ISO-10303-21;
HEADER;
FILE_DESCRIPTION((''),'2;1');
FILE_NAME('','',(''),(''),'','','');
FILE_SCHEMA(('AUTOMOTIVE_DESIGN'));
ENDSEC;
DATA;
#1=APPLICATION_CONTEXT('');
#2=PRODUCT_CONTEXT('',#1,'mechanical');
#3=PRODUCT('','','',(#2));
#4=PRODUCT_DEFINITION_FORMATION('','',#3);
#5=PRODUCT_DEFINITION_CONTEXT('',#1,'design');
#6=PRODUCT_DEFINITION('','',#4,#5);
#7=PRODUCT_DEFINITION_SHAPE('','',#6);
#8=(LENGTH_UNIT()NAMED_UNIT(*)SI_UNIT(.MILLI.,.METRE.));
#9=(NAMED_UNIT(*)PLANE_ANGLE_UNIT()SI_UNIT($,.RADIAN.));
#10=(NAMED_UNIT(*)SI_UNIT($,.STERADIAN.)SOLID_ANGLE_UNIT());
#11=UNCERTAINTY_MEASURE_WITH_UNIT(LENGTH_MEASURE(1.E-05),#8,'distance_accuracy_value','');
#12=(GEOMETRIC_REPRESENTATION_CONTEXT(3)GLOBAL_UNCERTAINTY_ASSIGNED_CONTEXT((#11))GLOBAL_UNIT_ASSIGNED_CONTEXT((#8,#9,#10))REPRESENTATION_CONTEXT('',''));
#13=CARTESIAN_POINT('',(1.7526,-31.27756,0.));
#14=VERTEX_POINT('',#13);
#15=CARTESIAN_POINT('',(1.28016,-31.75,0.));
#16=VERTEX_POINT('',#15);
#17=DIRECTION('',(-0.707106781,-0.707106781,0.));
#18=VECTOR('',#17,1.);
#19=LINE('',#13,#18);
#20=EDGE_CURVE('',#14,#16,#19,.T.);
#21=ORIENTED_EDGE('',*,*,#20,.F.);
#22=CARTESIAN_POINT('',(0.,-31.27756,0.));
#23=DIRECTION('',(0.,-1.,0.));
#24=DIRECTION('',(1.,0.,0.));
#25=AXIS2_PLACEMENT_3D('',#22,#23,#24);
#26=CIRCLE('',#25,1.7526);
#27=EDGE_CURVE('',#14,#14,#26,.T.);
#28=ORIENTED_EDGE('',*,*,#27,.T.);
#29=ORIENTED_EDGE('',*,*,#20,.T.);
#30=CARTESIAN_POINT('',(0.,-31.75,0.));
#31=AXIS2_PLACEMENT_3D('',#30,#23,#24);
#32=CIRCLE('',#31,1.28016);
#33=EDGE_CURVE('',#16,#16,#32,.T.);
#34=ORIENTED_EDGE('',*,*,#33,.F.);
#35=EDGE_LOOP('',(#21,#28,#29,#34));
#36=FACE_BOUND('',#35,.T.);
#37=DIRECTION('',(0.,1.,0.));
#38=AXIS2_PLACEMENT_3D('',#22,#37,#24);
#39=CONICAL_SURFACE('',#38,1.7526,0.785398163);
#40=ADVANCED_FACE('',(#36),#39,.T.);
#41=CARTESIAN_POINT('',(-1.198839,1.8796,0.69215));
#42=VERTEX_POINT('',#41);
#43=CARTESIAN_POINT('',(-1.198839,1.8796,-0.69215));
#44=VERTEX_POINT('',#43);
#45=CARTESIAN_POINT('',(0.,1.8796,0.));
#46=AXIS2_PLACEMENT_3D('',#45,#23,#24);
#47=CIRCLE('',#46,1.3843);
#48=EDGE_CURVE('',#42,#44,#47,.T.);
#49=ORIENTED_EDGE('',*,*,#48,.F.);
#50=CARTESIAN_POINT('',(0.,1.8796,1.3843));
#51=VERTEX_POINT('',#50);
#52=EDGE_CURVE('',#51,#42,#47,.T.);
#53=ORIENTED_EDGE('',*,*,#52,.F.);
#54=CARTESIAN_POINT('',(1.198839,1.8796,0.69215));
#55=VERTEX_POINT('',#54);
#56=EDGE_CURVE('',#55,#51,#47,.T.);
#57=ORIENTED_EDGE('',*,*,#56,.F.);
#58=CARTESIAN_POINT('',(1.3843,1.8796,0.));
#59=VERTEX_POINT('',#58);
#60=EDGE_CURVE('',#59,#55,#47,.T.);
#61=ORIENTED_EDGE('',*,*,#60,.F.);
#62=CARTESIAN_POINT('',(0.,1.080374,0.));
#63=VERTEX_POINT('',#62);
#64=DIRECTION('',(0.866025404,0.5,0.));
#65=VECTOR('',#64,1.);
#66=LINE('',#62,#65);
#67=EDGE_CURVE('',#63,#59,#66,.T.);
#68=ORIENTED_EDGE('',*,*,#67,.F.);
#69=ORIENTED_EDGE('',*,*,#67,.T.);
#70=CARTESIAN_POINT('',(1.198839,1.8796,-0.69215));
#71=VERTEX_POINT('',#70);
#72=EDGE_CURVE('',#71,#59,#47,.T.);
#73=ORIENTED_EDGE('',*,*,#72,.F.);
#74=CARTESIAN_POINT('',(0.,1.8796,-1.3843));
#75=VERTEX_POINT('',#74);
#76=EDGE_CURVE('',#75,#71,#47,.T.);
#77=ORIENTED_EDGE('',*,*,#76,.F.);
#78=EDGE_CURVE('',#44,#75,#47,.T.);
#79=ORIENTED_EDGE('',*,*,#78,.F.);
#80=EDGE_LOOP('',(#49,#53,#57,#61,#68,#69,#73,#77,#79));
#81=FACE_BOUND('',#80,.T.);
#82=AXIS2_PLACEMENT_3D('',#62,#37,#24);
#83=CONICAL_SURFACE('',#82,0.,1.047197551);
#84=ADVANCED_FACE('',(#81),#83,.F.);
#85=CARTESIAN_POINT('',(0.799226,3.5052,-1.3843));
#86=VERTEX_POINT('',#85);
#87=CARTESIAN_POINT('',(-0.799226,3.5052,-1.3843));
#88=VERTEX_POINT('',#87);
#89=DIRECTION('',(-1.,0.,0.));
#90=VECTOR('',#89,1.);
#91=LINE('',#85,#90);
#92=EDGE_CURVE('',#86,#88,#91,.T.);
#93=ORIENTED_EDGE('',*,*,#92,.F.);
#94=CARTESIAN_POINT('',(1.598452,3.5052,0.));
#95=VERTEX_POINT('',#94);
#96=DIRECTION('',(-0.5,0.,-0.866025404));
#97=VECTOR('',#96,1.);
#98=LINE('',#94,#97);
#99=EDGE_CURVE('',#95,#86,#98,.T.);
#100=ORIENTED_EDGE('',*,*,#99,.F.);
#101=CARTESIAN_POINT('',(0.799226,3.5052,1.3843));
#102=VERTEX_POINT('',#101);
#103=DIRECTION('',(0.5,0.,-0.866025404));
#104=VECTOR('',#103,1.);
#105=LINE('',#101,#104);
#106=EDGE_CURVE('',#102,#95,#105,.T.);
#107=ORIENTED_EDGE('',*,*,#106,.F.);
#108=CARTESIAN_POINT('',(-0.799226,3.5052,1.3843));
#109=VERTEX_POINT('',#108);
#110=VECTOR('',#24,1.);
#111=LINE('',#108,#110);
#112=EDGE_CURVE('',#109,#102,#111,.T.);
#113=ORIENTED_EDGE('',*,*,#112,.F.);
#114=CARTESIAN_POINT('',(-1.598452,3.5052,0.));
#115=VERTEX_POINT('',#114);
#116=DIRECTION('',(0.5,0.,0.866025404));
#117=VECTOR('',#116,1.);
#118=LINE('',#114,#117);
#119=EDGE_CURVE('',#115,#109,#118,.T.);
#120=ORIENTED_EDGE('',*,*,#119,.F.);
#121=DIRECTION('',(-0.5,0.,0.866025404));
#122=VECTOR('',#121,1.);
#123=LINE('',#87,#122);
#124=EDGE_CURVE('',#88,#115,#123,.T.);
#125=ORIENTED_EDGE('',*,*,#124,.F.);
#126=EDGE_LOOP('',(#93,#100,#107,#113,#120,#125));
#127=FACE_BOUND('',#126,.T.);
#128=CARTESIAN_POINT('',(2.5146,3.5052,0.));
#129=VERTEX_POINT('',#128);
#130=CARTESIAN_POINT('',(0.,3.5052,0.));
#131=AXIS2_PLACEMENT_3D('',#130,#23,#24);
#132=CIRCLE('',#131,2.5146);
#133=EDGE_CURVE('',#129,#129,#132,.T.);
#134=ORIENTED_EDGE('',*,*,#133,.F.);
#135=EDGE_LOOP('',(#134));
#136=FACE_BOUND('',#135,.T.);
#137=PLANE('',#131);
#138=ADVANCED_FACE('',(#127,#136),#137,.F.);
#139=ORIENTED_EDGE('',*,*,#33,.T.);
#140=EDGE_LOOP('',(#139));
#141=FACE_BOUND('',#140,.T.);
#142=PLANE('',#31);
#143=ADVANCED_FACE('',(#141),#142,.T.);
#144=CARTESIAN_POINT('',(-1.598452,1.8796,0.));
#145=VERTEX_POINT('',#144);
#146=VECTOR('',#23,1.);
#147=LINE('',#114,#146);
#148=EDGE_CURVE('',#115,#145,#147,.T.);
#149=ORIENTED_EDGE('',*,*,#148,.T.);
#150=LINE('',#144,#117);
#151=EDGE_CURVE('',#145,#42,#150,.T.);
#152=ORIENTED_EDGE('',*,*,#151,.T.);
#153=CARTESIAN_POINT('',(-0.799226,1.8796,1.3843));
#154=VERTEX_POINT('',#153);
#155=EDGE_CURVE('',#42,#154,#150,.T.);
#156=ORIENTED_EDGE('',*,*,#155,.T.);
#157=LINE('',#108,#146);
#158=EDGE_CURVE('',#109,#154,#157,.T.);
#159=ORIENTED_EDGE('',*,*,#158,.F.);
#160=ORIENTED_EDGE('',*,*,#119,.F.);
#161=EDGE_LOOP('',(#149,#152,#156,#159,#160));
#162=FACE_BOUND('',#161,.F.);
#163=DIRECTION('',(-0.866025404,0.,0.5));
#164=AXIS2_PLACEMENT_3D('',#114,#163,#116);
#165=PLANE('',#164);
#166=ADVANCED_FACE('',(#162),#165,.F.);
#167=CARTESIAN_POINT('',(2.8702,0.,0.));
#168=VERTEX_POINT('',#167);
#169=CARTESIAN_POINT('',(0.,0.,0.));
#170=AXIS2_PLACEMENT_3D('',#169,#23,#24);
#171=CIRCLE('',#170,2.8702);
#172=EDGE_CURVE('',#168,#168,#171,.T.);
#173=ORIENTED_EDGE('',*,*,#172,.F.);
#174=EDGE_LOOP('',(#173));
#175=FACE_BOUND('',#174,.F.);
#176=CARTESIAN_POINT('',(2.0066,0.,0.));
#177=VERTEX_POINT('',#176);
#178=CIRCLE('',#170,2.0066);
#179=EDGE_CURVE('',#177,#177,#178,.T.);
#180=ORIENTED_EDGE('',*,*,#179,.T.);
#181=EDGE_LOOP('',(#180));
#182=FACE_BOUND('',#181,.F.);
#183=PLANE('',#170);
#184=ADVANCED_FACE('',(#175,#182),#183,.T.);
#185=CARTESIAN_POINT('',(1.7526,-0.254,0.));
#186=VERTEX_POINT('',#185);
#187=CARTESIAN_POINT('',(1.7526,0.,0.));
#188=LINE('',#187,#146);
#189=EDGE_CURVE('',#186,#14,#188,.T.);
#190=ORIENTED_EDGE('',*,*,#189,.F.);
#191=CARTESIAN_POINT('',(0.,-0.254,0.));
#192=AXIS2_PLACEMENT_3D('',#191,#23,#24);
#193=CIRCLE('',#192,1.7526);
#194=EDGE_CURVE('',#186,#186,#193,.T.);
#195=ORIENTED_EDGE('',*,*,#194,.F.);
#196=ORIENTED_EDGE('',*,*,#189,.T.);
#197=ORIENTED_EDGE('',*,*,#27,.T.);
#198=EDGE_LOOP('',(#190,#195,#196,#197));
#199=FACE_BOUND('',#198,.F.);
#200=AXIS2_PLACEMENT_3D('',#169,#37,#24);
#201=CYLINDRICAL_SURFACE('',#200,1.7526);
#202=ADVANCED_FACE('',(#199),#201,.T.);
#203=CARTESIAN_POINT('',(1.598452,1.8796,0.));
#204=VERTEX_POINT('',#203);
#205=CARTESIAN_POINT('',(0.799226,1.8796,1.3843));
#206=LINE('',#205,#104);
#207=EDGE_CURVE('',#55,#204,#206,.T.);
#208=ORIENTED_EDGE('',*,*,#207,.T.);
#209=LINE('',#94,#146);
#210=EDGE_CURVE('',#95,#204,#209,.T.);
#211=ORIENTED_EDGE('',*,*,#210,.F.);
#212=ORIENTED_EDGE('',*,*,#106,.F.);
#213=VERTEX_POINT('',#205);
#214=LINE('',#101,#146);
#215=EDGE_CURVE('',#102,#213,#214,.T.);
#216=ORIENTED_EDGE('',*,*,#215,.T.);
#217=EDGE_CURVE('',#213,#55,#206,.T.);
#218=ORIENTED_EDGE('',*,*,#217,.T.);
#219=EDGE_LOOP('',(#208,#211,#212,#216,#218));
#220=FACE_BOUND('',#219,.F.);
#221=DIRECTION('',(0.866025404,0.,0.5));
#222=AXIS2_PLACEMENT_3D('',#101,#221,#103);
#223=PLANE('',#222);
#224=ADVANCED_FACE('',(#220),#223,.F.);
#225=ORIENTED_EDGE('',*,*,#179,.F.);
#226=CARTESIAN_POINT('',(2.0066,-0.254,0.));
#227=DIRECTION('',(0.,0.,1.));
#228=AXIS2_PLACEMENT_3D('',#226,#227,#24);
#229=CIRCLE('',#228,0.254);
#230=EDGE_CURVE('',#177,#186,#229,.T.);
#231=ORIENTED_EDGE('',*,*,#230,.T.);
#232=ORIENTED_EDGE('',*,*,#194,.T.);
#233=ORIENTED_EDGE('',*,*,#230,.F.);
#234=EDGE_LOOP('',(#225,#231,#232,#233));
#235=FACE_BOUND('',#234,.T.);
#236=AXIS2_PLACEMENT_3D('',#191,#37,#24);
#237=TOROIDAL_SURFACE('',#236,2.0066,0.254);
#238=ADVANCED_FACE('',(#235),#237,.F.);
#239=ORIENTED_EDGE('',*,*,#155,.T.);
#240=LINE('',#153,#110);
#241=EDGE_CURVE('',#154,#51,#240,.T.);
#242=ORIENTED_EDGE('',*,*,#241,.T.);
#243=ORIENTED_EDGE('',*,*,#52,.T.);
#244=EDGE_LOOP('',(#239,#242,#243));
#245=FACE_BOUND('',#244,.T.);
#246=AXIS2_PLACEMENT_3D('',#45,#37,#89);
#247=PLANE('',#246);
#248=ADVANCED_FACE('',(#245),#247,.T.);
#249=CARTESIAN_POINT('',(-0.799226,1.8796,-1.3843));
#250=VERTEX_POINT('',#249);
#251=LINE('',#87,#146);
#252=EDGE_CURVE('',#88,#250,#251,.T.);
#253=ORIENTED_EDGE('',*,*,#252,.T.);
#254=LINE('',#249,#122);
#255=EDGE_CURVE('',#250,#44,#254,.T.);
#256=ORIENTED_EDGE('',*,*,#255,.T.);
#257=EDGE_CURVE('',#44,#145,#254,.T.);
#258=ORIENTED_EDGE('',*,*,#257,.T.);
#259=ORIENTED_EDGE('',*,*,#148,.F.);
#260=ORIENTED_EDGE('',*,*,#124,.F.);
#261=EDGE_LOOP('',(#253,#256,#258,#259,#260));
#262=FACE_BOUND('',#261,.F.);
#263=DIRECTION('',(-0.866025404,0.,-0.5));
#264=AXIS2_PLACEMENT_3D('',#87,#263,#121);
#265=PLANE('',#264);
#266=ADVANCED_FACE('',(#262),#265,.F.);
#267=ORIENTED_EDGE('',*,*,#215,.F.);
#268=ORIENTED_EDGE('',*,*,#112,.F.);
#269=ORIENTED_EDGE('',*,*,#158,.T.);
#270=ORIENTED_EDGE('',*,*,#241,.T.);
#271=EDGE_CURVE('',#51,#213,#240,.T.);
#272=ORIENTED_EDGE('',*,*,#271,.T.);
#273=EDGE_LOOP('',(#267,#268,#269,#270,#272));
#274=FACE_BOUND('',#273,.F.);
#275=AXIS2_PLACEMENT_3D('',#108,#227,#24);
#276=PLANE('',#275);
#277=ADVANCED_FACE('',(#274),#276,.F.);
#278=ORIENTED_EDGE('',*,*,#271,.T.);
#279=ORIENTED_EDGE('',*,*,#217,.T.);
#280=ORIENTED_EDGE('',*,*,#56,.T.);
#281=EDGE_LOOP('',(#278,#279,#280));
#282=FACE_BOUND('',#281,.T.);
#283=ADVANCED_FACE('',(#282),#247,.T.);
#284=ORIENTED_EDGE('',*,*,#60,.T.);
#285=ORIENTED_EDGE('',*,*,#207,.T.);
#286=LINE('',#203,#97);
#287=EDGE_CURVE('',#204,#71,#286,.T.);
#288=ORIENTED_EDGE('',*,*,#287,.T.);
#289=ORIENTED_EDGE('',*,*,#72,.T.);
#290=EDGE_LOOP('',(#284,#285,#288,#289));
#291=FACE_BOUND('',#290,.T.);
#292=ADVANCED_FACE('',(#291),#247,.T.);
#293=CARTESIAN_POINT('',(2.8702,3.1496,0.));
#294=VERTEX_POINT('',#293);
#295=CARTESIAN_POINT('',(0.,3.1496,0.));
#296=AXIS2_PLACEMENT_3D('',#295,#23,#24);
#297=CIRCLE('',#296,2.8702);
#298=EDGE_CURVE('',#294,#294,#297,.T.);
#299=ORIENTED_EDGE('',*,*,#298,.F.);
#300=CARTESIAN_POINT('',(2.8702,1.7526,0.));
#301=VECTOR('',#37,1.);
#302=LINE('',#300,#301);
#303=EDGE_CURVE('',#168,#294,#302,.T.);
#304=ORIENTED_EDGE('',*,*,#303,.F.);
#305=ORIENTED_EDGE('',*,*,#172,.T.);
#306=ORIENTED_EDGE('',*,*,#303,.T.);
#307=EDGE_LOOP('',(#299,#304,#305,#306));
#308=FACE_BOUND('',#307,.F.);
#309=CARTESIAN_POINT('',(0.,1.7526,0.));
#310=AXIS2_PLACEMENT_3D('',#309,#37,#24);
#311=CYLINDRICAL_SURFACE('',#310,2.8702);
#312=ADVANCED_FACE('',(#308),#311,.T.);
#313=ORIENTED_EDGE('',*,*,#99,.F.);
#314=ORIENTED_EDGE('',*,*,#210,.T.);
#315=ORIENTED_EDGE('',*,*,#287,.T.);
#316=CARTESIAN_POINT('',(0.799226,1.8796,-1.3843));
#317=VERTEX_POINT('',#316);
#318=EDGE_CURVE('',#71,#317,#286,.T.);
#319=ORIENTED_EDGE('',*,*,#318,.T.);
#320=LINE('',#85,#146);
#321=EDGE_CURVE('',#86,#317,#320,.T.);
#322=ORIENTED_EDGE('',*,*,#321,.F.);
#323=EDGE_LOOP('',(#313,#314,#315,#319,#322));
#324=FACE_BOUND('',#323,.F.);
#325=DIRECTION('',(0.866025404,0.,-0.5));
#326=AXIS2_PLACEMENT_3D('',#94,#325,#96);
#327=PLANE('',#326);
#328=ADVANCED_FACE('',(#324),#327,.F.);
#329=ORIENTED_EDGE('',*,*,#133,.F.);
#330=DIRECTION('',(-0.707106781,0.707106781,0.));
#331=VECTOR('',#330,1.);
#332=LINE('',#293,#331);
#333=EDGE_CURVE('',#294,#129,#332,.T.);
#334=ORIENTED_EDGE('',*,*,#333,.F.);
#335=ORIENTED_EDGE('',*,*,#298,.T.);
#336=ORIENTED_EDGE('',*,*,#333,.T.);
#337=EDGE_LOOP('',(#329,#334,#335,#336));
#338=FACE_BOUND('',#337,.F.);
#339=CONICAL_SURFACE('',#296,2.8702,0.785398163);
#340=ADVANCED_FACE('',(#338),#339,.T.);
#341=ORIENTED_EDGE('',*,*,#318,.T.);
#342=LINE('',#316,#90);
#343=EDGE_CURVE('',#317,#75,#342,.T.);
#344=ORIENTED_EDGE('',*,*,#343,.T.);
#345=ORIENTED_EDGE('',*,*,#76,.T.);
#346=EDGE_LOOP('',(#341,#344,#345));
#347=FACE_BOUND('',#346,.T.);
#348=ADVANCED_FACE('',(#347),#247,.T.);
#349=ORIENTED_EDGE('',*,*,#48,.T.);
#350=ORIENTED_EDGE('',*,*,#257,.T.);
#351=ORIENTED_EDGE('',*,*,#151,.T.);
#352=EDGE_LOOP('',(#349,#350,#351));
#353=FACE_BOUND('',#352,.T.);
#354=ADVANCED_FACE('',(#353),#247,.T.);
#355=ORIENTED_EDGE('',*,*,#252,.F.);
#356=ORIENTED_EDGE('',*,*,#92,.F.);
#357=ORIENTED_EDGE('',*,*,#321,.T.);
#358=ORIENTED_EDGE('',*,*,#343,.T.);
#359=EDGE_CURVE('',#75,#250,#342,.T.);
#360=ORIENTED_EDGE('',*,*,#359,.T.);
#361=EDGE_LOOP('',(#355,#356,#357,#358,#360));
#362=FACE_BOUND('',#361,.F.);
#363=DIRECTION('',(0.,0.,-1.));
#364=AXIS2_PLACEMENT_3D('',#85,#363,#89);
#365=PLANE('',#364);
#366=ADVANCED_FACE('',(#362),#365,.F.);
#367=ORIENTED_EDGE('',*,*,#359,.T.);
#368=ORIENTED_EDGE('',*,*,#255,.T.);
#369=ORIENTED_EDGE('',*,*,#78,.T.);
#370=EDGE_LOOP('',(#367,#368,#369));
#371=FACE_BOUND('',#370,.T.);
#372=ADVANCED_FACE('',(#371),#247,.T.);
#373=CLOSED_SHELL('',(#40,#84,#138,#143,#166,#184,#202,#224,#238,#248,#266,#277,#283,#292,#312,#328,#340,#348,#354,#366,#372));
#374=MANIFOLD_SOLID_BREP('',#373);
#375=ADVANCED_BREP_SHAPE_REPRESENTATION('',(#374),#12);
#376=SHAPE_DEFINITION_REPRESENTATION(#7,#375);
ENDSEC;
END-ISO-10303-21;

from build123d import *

# Parameters (mm, degrees)
SKETCH1_W           = 2.8702
SKETCH1_H           = 3.5052
SKETCH2_R           = 1.7526
BOSS_EXTRUDE1_DEPTH = 31.75
CUT_EXTRUDE1_DEPTH  = 1.6256
CHAMFER1_SIZE       = 0.47244
CHAMFER2_SIZE       = 0.3556
FILLET1_R           = 0.254


with BuildPart() as part:
    # Sketch1 → Revolve1 (revolve)
    with BuildSketch(Plane.XY):
        with Locations((1.4351, 1.7526)):
            Rectangle(SKETCH1_W, SKETCH1_H)
    revolve(axis=Axis((0, 3.5052, 0), (0, -1, 0)))

    # Sketch2 → Boss-Extrude1 (add)
    with BuildSketch(Plane.XZ):
        Circle(SKETCH2_R)
    extrude(amount=BOSS_EXTRUDE1_DEPTH)

    # Sketch3 → Cut-Extrude1 (cut)
    with BuildSketch(Plane(origin=(0, 3.5052, 0), x_dir=(-1, 0, 0), z_dir=(0, 1, 0))):
        Polygon((-0.799225978, 1.3843), (-1.598451955, 0), (-0.799225978, -1.3843), (0.799225978, -1.3843), (1.598451955, 0), (0.799225978, 1.3843), align=None)
    extrude(amount=-CUT_EXTRUDE1_DEPTH, mode=Mode.SUBTRACT)

    # Sketch4 → Cut-Revolve1 (revolve, cut)
    with BuildSketch(Plane.XY):
        Polygon((1.3843, 1.8796), (0, 1.8796), (0, 1.080374022), align=None)
    revolve(axis=Axis((0, 1.879625, 0), (0, -1, 0)), mode=Mode.SUBTRACT)

    # Chamfer1
    chamfer1_edges = [part.edges().sort_by_distance(p)[0] for p in [
        (-1.7526, -31.75, 0),
    ]]
    chamfer(chamfer1_edges, length=CHAMFER1_SIZE)

    # Chamfer2
    chamfer2_edges = [part.edges().sort_by_distance(p)[0] for p in [
        (-2.8702, 3.5052, 0),
    ]]
    chamfer(chamfer2_edges, length=CHAMFER2_SIZE)

    # Fillet1
    fillet1_edges = [part.edges().sort_by_distance(p)[0] for p in [
        (-1.7526, 0, 0),
    ]]
    fillet(fillet1_edges, radius=FILLET1_R)


solid = part.part
